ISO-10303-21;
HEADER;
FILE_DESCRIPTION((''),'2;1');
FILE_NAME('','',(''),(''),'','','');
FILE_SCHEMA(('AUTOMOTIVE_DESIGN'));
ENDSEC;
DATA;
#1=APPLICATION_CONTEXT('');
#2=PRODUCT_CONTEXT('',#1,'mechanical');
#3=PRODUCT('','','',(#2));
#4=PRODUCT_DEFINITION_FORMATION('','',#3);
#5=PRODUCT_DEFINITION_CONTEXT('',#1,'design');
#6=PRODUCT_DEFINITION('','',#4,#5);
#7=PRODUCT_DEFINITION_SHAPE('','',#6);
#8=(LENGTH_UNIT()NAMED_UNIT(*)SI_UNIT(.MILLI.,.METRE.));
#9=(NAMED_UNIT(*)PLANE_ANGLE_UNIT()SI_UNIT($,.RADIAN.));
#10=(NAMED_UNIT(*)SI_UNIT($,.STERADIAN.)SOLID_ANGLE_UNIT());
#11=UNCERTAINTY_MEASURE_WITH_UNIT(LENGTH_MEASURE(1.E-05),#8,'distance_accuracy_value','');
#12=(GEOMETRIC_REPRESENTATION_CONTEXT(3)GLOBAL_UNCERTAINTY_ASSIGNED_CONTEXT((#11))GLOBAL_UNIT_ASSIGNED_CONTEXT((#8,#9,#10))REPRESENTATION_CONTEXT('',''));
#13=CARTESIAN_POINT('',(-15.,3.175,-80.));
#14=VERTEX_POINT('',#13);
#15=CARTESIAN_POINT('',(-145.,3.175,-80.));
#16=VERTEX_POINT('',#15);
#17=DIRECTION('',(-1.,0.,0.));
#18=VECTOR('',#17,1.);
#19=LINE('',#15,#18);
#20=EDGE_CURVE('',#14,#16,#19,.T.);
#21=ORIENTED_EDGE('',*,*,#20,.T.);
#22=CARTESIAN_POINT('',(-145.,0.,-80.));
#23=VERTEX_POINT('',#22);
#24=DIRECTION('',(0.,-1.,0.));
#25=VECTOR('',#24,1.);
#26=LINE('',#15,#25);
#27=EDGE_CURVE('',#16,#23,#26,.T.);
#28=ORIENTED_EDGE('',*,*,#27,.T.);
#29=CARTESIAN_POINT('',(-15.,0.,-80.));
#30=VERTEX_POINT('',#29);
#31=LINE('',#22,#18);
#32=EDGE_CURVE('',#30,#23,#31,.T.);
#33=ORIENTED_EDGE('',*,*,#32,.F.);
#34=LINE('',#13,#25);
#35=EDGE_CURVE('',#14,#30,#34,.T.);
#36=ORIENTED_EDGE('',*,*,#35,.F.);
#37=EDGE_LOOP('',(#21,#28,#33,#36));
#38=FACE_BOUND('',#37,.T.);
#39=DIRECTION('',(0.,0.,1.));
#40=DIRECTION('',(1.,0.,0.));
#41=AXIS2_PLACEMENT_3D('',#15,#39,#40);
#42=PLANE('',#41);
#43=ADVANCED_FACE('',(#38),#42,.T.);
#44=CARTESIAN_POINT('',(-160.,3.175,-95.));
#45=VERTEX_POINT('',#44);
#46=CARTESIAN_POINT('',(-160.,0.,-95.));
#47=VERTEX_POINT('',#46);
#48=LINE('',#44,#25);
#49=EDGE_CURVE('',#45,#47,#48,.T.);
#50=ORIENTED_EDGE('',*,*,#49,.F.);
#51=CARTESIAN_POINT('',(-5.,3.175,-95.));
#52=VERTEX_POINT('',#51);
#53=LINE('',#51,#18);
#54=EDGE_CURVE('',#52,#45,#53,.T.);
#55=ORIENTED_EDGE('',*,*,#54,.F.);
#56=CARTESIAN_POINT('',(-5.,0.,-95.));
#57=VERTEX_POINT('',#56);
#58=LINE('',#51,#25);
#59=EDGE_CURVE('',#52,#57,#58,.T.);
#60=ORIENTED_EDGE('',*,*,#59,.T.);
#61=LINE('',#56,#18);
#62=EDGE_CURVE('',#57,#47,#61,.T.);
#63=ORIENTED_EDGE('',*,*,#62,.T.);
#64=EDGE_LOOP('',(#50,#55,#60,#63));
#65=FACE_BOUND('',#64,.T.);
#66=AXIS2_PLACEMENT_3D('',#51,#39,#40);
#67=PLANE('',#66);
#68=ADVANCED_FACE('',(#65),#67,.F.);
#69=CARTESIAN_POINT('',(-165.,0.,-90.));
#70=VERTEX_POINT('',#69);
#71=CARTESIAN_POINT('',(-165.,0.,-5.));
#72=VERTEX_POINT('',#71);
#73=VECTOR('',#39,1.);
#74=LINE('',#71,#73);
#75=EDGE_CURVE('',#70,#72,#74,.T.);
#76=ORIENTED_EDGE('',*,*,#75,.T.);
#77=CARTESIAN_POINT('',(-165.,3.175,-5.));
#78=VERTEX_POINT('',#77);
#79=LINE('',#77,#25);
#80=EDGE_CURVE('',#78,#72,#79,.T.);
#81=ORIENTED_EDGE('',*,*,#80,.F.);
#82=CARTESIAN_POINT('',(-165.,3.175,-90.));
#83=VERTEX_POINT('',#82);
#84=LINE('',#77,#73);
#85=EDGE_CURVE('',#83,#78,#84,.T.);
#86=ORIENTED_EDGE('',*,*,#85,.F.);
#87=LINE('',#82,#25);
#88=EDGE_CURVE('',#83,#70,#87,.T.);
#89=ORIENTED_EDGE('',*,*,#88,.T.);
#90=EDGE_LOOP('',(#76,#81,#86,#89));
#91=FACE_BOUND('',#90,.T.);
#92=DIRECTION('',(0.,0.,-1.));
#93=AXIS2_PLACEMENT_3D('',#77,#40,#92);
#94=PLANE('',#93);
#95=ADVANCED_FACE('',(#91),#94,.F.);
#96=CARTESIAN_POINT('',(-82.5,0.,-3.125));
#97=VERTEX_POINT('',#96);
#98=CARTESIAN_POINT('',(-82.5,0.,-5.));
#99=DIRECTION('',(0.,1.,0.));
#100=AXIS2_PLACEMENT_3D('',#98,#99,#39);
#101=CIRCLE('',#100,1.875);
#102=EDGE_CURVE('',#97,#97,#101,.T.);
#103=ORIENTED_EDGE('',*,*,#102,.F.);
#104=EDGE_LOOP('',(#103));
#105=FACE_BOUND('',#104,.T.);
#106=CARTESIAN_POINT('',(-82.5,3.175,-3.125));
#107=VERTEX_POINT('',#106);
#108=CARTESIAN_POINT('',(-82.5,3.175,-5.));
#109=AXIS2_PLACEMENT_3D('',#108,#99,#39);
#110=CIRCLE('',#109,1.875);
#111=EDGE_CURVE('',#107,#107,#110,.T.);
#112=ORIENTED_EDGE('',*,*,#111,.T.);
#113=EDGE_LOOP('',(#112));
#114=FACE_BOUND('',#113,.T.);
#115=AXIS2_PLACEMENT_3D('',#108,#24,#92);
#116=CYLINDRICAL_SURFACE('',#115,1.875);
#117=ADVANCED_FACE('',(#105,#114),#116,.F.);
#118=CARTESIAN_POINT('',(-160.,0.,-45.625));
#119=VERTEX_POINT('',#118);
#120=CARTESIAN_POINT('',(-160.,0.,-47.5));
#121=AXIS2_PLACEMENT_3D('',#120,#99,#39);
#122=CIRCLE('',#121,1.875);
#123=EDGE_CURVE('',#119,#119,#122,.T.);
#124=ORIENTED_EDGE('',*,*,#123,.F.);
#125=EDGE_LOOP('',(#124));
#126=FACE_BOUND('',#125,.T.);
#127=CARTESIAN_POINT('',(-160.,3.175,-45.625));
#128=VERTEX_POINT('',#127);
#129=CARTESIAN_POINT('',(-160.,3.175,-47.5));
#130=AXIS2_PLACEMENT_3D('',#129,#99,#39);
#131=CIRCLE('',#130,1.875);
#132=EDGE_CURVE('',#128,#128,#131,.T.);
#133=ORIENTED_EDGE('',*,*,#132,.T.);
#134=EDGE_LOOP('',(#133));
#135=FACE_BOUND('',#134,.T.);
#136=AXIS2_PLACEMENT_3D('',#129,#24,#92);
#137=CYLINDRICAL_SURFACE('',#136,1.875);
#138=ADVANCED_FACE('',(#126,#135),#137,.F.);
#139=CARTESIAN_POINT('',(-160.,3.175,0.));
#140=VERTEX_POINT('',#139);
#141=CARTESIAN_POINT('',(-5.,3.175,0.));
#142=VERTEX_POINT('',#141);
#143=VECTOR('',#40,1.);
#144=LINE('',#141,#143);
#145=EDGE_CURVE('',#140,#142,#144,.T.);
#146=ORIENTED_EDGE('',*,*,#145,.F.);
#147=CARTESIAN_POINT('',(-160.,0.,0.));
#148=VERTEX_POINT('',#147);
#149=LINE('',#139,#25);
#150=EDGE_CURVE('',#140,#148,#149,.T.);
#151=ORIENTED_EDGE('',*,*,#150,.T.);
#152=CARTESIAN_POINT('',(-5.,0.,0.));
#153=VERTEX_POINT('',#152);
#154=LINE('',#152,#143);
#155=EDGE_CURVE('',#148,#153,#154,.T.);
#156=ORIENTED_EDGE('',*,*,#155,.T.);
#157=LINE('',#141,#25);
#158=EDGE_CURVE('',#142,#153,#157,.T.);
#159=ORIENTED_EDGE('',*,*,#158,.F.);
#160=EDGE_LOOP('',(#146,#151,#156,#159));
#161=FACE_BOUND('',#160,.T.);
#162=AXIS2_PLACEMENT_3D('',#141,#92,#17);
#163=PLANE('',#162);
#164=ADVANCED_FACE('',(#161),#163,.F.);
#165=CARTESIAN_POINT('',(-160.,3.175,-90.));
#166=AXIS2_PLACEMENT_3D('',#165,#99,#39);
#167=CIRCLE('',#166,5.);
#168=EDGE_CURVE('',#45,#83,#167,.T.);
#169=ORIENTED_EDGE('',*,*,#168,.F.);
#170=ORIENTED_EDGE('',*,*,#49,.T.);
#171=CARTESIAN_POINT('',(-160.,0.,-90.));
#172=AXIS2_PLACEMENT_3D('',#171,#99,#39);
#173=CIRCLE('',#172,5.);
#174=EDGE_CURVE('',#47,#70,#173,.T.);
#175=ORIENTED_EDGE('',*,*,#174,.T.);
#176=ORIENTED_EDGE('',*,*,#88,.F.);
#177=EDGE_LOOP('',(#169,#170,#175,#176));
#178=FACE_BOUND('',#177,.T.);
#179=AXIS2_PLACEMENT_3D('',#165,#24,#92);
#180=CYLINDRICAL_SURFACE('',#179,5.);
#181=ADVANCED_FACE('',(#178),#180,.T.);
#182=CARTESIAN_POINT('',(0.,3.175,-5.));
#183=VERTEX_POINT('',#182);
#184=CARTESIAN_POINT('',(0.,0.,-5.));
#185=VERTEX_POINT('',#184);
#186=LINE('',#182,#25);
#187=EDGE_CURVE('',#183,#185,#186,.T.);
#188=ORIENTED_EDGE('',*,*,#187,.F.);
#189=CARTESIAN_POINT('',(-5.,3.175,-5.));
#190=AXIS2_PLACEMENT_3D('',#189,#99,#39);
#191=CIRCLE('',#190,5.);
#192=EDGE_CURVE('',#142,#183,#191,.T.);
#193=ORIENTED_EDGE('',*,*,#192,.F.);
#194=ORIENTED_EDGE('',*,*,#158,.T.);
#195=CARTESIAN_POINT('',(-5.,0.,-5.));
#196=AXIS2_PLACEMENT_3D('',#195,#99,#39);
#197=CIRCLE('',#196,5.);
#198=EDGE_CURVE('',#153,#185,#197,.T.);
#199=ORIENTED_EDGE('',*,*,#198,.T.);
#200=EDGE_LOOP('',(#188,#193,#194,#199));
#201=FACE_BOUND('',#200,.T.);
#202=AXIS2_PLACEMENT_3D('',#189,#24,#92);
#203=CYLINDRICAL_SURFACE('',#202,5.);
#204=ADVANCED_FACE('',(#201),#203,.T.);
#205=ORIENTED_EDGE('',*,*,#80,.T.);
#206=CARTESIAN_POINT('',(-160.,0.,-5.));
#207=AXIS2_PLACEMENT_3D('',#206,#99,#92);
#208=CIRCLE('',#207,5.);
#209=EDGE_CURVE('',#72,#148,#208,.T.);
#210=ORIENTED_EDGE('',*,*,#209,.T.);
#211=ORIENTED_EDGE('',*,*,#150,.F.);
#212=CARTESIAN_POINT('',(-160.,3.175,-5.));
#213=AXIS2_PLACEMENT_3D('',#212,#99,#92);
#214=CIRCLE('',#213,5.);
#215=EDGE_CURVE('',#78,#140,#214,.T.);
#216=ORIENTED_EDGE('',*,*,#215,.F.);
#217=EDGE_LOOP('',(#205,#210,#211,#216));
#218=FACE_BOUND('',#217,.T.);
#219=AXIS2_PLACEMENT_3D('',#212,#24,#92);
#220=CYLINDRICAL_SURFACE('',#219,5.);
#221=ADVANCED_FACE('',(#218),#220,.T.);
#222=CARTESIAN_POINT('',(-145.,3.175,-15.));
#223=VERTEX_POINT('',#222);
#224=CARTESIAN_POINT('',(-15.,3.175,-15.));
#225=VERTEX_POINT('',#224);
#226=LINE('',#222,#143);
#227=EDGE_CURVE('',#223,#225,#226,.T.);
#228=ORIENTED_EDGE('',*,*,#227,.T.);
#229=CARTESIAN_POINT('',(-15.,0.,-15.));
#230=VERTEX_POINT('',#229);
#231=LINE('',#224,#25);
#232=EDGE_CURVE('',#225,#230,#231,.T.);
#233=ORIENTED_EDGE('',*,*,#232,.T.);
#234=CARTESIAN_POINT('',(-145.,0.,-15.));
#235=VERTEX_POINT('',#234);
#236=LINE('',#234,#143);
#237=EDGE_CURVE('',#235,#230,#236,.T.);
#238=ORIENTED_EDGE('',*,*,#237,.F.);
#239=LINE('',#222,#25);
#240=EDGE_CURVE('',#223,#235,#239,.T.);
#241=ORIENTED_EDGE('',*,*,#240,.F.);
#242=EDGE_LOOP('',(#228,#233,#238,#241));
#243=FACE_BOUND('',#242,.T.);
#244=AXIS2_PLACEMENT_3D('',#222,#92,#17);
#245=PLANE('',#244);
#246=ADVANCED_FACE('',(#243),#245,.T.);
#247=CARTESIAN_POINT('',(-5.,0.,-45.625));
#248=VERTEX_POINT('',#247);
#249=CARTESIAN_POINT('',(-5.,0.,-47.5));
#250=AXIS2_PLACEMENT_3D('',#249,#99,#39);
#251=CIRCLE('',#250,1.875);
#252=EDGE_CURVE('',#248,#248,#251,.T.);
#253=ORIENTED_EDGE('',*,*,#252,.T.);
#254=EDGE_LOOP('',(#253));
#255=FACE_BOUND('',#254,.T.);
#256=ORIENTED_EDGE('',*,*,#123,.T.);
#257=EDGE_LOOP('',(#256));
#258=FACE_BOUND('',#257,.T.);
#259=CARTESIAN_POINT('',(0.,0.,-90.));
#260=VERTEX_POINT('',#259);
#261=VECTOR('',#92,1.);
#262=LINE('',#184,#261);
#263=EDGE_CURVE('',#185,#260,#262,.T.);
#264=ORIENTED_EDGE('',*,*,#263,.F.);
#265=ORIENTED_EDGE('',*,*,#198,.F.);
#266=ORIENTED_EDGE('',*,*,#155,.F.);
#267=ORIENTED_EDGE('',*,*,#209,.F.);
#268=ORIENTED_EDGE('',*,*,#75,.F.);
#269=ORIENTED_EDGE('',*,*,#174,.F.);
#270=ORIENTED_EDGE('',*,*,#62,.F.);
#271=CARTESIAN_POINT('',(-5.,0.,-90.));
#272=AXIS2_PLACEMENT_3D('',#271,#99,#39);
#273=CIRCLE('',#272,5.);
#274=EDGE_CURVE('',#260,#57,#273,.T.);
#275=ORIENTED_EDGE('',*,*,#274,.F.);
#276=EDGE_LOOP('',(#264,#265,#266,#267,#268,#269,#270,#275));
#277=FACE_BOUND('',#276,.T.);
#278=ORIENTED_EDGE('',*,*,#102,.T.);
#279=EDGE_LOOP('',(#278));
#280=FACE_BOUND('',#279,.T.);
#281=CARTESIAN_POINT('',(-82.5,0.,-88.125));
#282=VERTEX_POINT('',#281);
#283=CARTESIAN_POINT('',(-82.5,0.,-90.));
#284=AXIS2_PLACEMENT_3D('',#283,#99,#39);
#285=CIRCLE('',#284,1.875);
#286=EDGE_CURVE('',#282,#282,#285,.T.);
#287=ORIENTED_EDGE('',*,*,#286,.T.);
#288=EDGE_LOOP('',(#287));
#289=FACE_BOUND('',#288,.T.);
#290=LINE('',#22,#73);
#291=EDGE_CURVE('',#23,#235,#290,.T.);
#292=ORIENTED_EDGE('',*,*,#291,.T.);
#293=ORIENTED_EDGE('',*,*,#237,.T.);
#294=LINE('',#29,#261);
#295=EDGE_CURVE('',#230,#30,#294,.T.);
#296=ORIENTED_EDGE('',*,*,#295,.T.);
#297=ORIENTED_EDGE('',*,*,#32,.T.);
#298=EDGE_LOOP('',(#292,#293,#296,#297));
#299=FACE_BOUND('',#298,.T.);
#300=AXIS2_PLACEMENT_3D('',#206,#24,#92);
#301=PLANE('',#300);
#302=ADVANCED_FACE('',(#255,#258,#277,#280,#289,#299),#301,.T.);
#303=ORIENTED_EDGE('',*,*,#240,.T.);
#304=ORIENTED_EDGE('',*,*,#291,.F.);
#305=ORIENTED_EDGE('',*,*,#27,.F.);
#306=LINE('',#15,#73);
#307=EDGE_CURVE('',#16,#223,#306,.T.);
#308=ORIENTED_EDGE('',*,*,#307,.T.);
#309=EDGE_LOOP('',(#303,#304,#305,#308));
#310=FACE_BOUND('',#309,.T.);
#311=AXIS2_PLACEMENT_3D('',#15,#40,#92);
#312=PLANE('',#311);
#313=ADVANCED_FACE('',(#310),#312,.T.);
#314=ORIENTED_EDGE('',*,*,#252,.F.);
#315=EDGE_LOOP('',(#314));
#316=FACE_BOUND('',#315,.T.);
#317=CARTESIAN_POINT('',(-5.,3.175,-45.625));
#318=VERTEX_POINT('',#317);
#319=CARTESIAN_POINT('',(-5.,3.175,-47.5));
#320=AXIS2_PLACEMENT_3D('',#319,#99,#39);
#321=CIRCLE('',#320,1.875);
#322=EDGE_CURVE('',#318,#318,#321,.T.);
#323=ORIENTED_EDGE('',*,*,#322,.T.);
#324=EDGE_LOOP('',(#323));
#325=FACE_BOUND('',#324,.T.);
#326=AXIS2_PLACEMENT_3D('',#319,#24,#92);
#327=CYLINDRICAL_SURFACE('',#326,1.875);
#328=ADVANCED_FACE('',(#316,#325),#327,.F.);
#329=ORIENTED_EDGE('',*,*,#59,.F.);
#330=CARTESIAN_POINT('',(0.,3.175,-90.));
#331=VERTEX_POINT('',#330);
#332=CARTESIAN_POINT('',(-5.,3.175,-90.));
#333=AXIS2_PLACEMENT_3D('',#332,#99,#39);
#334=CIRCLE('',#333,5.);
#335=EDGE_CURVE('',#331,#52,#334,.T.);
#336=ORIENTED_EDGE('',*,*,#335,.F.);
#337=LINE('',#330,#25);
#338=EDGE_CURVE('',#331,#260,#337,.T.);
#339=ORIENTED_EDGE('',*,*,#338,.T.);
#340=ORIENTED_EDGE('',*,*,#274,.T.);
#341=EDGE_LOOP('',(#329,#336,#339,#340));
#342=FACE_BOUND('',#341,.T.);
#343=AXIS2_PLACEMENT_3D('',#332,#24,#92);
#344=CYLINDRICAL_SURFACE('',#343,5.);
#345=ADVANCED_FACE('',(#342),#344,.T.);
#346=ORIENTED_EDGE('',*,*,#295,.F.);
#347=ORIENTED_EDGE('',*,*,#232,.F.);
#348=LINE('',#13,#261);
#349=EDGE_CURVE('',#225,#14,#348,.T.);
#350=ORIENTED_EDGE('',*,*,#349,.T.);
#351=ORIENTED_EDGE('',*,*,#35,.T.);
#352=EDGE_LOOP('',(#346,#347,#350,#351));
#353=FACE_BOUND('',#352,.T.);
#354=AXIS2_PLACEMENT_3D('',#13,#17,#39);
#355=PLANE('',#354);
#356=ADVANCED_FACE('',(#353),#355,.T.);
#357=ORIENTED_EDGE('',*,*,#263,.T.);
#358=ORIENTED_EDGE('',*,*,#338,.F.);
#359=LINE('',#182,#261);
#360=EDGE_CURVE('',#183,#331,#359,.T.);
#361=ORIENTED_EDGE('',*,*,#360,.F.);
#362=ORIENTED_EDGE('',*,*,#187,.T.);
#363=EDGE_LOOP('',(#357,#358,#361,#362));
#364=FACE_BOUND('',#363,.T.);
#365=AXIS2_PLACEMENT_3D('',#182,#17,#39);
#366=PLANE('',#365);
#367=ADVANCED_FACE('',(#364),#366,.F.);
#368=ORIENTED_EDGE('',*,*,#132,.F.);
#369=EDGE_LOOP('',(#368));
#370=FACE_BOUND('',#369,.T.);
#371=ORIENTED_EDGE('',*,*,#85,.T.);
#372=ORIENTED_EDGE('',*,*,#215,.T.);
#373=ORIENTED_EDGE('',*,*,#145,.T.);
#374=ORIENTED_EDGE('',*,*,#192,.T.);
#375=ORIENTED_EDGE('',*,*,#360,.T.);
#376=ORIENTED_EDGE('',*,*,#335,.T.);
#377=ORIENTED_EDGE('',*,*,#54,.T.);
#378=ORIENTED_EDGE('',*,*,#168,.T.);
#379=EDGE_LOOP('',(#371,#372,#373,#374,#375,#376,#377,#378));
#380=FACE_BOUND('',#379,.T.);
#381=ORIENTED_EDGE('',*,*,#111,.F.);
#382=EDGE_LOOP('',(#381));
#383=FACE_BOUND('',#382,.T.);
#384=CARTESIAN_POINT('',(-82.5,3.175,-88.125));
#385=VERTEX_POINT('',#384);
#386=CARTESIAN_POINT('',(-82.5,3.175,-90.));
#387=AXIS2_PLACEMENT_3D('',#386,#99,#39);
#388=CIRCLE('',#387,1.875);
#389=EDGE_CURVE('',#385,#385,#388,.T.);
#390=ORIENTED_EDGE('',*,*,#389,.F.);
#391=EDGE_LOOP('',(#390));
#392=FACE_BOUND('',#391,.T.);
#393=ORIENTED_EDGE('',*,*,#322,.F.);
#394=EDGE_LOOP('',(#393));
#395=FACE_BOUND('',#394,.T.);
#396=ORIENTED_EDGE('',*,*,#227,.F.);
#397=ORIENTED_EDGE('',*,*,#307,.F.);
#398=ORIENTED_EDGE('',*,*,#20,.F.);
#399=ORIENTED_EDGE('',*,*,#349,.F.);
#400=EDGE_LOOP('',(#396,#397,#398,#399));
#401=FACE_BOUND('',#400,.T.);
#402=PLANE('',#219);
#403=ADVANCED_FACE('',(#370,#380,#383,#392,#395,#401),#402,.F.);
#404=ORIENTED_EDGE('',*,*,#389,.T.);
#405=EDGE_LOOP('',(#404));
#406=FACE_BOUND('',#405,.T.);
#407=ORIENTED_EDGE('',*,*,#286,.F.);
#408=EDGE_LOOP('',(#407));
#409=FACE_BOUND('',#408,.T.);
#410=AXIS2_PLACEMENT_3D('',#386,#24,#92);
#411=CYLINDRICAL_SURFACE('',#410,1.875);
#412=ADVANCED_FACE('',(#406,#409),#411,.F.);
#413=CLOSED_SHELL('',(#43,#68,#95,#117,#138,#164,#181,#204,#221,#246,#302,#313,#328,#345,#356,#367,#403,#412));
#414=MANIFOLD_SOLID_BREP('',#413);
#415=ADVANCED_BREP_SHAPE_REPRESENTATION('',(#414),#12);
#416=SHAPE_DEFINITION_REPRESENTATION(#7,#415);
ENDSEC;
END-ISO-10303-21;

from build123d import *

# Parameters (mm, degrees)
SKETCH1_R           = 1.875
SKETCH1_W           = 130
SKETCH1_H           = 65
BOSS_EXTRUDE1_DEPTH = 3.175


with BuildPart() as part:
    # Sketch1 → Boss-Extrude1 (new body)
    with BuildSketch(Plane(origin=(0, 0, 0), x_dir=(1, 0, 0), z_dir=(0, 1, 0))):
        with BuildLine():
            Line((-5, 0), (-160, 0))
            ThreePointArc((-160, 0), (-163.535533906, 1.464466094), (-165, 5))
            Line((-165, 5), (-165, 90))
            ThreePointArc((-165, 90), (-163.535533906, 93.535533906), (-160, 95))
            Line((-160, 95), (-5, 95))
            ThreePointArc((-5, 95), (-1.464466094, 93.535533906), (0, 90))
            Line((0, 90), (0, 5))
            ThreePointArc((0, 5), (-1.464466094, 1.464466094), (-5, 0))
        make_face()
        with Locations(Location((-160, 47.5, 0), (0, 0, 270))):
            Circle(SKETCH1_R, mode=Mode.SUBTRACT)
        with Locations(Location((-5, 47.5, 0), (0, 0, 270))):
            Circle(SKETCH1_R, mode=Mode.SUBTRACT)
        with Locations(Location((-82.5, 90, 0), (0, 0, 270))):
            Circle(SKETCH1_R, mode=Mode.SUBTRACT)
        with Locations(Location((-82.5, 5, 0), (0, 0, 270))):
            Circle(SKETCH1_R, mode=Mode.SUBTRACT)
        with Locations((-80, 47.5)):
            Rectangle(SKETCH1_W, SKETCH1_H, mode=Mode.SUBTRACT)
    extrude(amount=BOSS_EXTRUDE1_DEPTH)


solid = part.part
